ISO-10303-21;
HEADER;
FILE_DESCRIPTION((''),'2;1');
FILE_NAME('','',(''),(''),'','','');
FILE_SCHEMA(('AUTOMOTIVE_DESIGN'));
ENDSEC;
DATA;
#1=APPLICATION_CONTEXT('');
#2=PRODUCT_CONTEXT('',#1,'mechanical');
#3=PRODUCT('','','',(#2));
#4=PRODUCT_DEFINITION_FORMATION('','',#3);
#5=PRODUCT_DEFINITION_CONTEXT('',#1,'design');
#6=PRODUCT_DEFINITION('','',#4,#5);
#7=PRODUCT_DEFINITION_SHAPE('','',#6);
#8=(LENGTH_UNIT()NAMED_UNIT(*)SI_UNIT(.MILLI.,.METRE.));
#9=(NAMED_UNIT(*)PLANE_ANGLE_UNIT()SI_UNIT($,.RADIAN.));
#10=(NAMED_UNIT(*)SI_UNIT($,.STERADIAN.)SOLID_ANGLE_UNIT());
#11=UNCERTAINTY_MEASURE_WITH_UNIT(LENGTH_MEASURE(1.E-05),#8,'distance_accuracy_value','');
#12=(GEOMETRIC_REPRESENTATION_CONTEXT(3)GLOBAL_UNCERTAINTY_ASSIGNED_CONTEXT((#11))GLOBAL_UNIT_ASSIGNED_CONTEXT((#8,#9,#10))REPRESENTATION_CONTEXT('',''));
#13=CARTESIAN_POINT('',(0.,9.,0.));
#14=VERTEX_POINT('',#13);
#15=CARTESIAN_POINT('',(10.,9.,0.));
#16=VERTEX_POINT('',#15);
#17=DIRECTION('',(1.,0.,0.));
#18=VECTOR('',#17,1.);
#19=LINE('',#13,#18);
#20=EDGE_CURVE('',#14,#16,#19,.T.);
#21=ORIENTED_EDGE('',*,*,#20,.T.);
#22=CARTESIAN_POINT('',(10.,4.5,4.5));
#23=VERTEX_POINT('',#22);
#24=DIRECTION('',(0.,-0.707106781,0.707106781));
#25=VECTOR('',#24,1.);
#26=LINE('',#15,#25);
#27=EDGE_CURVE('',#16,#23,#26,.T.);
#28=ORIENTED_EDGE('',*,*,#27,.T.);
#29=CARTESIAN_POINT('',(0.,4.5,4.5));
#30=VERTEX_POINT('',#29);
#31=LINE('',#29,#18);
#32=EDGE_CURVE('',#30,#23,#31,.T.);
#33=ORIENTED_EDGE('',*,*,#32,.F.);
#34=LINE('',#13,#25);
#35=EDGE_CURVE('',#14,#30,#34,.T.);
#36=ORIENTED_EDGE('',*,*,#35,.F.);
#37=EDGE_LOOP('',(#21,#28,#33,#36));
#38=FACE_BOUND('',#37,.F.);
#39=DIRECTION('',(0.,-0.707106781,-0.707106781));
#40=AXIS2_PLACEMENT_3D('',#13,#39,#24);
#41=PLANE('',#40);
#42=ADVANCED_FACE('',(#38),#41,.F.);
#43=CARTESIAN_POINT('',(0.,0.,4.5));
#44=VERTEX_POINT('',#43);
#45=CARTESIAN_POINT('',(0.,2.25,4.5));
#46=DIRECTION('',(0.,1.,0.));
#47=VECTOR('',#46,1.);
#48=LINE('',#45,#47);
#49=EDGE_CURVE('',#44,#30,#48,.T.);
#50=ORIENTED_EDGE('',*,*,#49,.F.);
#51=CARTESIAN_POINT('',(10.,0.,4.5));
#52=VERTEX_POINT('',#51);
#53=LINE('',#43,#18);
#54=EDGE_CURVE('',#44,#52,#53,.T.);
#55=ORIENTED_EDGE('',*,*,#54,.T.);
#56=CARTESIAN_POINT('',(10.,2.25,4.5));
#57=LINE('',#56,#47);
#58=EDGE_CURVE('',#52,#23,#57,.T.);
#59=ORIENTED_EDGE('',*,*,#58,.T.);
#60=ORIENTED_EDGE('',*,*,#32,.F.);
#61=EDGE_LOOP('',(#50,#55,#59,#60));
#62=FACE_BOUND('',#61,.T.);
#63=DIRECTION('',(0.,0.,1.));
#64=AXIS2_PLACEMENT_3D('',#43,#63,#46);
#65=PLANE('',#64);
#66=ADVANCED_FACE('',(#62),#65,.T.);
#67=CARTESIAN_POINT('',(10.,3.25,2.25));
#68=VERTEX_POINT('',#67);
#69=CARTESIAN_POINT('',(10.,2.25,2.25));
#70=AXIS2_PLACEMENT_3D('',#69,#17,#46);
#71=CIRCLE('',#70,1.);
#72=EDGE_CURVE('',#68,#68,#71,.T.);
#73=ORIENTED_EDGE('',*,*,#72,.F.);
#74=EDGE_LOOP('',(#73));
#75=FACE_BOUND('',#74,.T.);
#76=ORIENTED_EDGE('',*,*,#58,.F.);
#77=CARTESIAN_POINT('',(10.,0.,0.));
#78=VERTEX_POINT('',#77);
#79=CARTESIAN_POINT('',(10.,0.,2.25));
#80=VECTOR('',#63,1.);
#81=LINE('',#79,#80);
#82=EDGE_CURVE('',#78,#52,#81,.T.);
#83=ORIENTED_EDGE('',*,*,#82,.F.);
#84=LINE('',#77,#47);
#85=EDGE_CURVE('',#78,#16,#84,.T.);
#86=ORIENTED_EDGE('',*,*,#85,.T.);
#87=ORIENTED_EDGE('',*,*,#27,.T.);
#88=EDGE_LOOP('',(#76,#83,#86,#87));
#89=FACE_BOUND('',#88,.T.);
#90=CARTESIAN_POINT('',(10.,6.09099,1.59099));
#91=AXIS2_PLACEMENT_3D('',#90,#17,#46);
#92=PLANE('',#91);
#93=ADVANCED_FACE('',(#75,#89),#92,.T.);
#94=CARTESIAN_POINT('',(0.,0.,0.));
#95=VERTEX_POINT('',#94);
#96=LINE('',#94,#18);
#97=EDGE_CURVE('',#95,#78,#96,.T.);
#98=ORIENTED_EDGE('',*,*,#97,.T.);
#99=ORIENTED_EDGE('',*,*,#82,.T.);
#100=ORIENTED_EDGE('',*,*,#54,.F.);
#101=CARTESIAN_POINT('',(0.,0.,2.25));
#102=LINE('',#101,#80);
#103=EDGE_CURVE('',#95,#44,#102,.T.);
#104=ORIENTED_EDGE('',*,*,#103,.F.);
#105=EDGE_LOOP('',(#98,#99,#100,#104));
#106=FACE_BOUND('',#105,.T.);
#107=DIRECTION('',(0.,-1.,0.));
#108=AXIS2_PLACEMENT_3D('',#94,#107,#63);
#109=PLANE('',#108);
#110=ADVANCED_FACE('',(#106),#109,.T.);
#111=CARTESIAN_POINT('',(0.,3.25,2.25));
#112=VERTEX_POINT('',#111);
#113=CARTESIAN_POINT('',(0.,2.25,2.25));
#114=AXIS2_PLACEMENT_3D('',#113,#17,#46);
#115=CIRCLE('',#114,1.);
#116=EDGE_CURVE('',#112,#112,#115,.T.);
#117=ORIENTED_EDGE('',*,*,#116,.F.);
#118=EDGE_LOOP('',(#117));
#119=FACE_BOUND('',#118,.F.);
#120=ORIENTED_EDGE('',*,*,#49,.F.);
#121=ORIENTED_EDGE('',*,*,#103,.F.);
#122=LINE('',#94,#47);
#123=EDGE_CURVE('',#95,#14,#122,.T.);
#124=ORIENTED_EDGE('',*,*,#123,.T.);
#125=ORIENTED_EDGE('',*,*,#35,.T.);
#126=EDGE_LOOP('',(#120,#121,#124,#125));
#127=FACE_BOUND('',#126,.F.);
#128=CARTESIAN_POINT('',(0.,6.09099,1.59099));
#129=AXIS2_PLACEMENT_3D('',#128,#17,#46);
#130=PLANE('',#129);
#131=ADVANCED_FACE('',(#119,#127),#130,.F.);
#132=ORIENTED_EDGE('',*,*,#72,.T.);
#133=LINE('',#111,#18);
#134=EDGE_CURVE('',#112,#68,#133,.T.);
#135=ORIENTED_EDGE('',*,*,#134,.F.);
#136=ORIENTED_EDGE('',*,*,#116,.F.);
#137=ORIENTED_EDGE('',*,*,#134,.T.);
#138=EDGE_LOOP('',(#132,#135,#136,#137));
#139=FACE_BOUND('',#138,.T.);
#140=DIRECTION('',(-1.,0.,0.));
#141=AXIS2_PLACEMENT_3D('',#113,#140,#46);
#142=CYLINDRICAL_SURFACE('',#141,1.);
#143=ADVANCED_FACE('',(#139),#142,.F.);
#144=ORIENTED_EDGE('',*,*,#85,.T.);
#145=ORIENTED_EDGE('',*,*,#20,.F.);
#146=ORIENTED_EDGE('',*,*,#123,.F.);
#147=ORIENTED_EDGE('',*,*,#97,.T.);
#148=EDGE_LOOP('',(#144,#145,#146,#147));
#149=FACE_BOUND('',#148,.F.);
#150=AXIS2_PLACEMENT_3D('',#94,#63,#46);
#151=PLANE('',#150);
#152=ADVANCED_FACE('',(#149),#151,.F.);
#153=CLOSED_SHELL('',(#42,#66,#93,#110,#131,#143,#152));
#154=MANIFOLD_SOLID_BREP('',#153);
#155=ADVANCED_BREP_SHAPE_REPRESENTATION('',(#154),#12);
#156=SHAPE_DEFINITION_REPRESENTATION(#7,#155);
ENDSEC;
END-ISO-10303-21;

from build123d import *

# Parameters (mm, degrees)
F0_W     = 4.5
F0_H     = 4.5
F0_R     = 1.9
F0_R_2   = 1
F2_DEPTH = 10


with BuildPart() as f2:
    # F0 (on Right) → F2 (new body)
    with BuildSketch(Plane.YZ):
        Polygon((4.5, 4.5), (4.5, 0), (9, 0), align=None)
        with Locations((2.25, 2.25)):
            Rectangle(F0_W, F0_H)
        with Locations((2.25, 2.25)):
            Circle(F0_R, mode=Mode.SUBTRACT)
        with Locations((2.25, 2.25)):
            Circle(F0_R)
        with Locations((2.25, 2.25)):
            Circle(F0_R_2, mode=Mode.SUBTRACT)
    extrude(amount=F2_DEPTH)


solid = f2.part
